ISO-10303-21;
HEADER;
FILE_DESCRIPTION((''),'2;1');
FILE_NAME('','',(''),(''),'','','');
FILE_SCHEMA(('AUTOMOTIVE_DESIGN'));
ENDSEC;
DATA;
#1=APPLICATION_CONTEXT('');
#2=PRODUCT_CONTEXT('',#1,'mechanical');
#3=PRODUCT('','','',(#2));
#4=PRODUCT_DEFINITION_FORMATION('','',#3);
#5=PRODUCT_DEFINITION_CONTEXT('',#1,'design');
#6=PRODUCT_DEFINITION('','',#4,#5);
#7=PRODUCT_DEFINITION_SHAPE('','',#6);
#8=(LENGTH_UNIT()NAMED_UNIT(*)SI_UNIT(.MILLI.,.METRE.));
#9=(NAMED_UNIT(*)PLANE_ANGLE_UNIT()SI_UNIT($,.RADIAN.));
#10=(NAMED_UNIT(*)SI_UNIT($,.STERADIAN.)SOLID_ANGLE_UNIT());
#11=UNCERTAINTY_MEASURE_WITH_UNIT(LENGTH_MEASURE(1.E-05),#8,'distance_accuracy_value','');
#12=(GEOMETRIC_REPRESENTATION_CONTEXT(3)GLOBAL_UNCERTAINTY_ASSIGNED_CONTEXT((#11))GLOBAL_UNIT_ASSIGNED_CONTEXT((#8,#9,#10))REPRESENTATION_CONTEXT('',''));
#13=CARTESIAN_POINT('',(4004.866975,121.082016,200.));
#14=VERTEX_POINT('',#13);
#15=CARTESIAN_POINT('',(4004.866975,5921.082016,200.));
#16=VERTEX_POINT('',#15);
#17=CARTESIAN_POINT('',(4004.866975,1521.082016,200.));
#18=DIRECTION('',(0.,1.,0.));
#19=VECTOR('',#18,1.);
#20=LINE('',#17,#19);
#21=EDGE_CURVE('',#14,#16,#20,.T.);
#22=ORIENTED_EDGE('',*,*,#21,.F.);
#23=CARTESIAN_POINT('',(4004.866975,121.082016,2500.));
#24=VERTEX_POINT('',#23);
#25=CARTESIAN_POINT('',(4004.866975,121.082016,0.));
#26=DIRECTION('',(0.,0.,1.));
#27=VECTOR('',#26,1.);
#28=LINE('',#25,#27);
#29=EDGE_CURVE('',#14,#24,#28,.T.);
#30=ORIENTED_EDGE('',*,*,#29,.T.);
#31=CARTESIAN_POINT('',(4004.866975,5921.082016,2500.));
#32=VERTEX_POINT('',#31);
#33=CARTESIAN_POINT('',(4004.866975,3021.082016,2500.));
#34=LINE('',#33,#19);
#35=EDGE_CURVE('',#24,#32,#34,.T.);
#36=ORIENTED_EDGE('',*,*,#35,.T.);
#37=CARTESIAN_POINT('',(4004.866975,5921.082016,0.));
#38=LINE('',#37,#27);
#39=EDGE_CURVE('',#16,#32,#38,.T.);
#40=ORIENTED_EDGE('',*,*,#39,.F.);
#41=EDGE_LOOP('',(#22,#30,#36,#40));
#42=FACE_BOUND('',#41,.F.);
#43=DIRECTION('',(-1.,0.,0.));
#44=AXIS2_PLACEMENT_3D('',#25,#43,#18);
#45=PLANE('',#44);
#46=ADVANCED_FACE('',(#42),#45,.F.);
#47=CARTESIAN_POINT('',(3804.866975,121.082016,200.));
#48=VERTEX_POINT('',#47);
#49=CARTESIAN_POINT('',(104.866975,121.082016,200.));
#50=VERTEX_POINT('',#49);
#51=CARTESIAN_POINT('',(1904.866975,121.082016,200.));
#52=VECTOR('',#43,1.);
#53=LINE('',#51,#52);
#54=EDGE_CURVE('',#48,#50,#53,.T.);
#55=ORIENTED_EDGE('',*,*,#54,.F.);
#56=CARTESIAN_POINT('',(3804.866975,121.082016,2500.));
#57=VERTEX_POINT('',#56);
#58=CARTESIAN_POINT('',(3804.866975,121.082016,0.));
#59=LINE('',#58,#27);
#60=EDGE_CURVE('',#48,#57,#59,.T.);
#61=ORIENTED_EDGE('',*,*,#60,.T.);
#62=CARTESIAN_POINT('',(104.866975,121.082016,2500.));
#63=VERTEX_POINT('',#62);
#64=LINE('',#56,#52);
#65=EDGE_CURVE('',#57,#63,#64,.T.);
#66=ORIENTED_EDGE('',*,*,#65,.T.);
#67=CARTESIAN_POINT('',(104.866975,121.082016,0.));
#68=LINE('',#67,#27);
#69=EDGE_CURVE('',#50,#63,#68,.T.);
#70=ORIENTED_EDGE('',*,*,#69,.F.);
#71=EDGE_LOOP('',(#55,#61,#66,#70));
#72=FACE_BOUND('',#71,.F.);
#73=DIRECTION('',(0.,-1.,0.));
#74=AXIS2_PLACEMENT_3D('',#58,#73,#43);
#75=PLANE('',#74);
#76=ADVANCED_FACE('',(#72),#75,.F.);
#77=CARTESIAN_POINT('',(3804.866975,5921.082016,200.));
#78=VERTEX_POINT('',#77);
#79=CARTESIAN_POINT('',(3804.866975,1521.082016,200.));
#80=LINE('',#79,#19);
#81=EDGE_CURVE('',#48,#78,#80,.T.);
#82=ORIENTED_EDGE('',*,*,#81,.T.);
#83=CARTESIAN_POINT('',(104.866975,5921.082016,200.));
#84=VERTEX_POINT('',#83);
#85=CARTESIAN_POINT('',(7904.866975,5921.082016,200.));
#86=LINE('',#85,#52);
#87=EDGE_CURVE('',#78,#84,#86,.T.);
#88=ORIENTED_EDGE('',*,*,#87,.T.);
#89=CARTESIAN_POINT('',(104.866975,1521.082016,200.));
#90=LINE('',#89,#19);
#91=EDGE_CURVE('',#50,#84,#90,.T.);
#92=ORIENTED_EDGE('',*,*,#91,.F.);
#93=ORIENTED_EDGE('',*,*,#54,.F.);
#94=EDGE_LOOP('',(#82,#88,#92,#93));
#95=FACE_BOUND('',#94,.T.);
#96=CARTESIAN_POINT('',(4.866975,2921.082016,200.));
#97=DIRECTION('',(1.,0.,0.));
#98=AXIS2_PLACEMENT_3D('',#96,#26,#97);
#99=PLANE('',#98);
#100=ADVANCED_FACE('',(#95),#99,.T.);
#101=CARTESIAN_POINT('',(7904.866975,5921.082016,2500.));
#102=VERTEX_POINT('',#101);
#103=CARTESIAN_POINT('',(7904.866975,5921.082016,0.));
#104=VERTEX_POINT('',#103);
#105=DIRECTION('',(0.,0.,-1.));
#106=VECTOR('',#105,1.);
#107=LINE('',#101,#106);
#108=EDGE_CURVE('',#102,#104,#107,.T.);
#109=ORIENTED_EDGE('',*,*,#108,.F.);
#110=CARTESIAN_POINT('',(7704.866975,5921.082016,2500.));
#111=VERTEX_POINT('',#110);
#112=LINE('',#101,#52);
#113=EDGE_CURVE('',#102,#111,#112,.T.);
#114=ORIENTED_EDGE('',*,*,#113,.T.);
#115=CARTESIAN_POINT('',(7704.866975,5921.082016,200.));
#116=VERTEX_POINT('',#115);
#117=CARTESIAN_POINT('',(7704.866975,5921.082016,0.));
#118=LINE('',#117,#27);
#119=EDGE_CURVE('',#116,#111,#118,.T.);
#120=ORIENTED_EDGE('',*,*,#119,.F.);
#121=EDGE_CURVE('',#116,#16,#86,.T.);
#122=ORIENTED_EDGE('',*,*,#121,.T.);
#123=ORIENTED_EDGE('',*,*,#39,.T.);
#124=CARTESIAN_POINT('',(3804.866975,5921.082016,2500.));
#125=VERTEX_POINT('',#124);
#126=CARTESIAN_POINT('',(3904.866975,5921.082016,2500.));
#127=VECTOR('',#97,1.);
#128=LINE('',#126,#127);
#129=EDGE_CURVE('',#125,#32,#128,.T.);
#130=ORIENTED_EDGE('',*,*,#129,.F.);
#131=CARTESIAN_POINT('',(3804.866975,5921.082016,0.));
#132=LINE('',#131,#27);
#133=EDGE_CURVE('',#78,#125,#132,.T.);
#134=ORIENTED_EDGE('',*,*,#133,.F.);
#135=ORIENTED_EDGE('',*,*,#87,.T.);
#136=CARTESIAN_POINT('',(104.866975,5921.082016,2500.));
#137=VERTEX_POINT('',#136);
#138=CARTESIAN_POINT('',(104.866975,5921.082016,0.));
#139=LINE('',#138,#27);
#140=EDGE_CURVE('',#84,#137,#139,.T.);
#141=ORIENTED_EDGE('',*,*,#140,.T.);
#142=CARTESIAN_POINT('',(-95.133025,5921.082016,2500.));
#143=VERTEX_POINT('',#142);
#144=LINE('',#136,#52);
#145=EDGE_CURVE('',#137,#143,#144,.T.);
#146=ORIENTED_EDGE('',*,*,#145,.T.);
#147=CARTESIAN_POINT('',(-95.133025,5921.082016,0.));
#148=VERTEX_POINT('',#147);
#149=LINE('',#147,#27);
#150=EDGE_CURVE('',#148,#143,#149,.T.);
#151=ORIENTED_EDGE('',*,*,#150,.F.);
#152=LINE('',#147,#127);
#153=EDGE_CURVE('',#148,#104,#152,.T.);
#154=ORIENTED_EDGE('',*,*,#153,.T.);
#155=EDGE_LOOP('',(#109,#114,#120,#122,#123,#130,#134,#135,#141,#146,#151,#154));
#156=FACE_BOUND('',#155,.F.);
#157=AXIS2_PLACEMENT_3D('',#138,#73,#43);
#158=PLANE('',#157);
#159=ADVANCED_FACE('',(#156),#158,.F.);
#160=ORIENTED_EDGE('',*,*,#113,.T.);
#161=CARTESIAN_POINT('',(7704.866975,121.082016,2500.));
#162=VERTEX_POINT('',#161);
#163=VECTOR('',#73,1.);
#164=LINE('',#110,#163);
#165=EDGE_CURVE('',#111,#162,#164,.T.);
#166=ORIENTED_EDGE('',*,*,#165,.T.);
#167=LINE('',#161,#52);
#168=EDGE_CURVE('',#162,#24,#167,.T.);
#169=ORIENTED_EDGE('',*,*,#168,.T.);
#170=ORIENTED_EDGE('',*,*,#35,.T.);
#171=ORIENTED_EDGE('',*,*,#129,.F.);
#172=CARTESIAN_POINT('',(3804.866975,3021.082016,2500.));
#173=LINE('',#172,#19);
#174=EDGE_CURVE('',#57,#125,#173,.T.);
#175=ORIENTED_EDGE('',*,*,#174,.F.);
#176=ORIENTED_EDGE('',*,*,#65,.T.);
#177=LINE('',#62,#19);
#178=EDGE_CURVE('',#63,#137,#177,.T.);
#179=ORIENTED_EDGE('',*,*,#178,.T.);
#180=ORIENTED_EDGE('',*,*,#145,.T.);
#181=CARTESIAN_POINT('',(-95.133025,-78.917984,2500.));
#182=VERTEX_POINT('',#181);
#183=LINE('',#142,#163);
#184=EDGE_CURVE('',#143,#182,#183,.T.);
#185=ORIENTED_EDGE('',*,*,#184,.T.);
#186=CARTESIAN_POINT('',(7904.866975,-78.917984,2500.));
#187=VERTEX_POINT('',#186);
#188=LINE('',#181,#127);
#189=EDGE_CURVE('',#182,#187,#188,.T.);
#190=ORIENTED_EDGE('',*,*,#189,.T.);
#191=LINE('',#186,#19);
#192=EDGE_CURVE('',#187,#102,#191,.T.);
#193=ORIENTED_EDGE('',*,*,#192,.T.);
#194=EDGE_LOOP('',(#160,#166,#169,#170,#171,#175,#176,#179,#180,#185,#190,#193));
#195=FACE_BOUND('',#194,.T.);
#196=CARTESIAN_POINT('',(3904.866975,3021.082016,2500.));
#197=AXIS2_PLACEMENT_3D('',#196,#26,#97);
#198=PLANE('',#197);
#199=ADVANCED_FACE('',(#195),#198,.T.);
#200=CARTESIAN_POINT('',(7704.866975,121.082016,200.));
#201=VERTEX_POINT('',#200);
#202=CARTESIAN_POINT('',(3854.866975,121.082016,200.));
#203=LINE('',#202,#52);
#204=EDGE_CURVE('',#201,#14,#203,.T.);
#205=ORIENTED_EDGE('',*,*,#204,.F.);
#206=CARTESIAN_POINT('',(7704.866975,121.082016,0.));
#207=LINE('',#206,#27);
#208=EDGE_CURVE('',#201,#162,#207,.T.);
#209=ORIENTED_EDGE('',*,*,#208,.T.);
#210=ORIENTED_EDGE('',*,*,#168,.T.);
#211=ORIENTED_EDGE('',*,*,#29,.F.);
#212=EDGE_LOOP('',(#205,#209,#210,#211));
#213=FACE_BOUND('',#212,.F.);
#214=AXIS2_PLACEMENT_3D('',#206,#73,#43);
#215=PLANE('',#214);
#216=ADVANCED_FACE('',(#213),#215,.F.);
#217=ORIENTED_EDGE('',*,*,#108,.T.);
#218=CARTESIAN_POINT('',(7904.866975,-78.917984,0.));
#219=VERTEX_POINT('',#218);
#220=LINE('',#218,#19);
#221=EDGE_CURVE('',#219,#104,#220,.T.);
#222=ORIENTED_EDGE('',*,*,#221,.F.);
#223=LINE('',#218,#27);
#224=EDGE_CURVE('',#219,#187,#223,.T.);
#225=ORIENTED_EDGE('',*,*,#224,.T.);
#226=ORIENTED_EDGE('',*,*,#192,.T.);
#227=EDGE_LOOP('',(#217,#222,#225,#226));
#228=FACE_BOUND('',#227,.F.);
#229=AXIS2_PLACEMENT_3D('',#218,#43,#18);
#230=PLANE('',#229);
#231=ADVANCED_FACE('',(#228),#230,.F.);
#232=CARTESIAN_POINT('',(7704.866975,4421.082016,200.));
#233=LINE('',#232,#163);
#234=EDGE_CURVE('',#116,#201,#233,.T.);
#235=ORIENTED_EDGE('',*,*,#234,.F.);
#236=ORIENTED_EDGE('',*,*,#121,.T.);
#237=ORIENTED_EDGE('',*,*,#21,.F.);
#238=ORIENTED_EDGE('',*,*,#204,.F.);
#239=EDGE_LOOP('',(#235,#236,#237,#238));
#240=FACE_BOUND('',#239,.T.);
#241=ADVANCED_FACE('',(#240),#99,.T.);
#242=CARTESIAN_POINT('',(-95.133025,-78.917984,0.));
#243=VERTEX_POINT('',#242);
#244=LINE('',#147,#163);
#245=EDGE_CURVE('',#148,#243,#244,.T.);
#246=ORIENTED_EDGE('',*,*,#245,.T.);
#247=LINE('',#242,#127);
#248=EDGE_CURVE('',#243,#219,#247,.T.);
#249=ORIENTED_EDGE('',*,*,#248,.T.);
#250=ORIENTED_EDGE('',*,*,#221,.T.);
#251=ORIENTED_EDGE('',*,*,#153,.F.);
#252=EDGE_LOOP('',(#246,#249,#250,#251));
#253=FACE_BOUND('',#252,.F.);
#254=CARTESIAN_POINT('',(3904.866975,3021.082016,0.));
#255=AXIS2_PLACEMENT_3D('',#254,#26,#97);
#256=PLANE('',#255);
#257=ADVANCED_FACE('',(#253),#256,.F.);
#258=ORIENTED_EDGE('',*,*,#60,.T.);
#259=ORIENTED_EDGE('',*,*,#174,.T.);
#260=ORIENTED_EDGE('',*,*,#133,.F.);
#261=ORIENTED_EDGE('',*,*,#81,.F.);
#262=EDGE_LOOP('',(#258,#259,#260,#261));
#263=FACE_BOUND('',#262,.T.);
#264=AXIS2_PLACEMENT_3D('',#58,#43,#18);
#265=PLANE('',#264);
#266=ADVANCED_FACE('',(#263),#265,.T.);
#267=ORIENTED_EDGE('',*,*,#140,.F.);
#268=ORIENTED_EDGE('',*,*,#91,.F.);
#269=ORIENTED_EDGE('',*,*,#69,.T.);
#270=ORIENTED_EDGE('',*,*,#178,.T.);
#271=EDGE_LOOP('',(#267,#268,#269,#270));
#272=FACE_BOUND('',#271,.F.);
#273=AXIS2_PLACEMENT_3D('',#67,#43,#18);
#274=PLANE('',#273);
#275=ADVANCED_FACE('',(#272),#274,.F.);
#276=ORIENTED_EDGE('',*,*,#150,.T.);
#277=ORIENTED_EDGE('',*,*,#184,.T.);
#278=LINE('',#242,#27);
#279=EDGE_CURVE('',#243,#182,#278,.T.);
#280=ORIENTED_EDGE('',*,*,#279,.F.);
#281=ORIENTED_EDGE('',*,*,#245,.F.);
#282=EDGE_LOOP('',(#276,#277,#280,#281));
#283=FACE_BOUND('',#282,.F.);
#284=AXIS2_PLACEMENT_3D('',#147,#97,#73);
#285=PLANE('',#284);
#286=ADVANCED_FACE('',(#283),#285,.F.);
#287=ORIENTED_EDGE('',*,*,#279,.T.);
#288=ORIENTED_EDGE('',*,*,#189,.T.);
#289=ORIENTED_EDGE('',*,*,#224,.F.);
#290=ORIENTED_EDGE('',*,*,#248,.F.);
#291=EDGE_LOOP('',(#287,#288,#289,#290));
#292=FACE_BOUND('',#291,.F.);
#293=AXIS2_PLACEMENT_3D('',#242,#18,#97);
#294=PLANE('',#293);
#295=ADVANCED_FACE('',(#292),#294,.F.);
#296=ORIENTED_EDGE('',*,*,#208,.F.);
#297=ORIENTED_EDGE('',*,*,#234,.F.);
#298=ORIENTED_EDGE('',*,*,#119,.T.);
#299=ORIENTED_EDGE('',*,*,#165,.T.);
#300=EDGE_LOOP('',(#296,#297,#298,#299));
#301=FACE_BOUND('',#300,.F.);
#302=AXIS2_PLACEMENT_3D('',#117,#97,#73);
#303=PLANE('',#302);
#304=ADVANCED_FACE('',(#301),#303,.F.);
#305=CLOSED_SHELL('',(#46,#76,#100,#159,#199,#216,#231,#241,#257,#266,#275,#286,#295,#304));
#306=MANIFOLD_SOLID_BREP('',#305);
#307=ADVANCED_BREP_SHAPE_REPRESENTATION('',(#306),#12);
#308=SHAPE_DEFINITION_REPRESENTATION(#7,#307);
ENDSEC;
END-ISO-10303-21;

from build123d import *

# Parameters (mm, degrees)
F0_W     = 200
F0_H     = 5800
F1_DEPTH = 2500
F0_W_2   = 3700
F2_DEPTH = 200


with BuildPart() as f1:
    # F0 (on Top) → F1 (new body)
    with BuildSketch(Plane.XY):
        with Locations((3904.866975, 3021.082016)):
            Rectangle(F0_W, F0_H)
        Polygon((3804.866975, 121.082016), (104.866975, 121.082016), (104.866975, -78.917984), (7704.866975, -78.917984), (7704.866975, 0), (7704.866975, 121.082016), (4004.866975, 121.082016), align=None)
        Polygon((7704.866975, 0), (7704.866975, -78.917984), (7904.866975, -78.917984), (7904.866975, 5921.082016), (7704.866975, 5921.082016), (7704.866975, 121.082016), align=None)
        Polygon((104.866975, 5921.082016), (-95.133025, 5921.082016), (-95.133025, -78.917984), (104.866975, -78.917984), (104.866975, 121.082016), align=None)
    extrude(amount=F1_DEPTH)

    # F0 (on Top) → F2 (join)
    with BuildSketch(Plane.XY):
        Polygon((104.866975, 5921.082016), (-95.133025, 5921.082016), (-95.133025, -78.917984), (104.866975, -78.917984), (104.866975, 121.082016), align=None)
        with Locations((1954.866975, 3021.082016)):
            Rectangle(F0_W_2, F0_H)
        with Locations((3904.866975, 3021.082016)):
            Rectangle(F0_W, F0_H)
        Polygon((3804.866975, 121.082016), (104.866975, 121.082016), (104.866975, -78.917984), (7704.866975, -78.917984), (7704.866975, 0), (7704.866975, 121.082016), (4004.866975, 121.082016), align=None)
        with Locations((5854.866975, 3021.082016)):
            Rectangle(F0_W_2, F0_H)
        Polygon((7704.866975, 0), (7704.866975, -78.917984), (7904.866975, -78.917984), (7904.866975, 5921.082016), (7704.866975, 5921.082016), (7704.866975, 121.082016), align=None)
    extrude(amount=F2_DEPTH)


solid = f1.part
